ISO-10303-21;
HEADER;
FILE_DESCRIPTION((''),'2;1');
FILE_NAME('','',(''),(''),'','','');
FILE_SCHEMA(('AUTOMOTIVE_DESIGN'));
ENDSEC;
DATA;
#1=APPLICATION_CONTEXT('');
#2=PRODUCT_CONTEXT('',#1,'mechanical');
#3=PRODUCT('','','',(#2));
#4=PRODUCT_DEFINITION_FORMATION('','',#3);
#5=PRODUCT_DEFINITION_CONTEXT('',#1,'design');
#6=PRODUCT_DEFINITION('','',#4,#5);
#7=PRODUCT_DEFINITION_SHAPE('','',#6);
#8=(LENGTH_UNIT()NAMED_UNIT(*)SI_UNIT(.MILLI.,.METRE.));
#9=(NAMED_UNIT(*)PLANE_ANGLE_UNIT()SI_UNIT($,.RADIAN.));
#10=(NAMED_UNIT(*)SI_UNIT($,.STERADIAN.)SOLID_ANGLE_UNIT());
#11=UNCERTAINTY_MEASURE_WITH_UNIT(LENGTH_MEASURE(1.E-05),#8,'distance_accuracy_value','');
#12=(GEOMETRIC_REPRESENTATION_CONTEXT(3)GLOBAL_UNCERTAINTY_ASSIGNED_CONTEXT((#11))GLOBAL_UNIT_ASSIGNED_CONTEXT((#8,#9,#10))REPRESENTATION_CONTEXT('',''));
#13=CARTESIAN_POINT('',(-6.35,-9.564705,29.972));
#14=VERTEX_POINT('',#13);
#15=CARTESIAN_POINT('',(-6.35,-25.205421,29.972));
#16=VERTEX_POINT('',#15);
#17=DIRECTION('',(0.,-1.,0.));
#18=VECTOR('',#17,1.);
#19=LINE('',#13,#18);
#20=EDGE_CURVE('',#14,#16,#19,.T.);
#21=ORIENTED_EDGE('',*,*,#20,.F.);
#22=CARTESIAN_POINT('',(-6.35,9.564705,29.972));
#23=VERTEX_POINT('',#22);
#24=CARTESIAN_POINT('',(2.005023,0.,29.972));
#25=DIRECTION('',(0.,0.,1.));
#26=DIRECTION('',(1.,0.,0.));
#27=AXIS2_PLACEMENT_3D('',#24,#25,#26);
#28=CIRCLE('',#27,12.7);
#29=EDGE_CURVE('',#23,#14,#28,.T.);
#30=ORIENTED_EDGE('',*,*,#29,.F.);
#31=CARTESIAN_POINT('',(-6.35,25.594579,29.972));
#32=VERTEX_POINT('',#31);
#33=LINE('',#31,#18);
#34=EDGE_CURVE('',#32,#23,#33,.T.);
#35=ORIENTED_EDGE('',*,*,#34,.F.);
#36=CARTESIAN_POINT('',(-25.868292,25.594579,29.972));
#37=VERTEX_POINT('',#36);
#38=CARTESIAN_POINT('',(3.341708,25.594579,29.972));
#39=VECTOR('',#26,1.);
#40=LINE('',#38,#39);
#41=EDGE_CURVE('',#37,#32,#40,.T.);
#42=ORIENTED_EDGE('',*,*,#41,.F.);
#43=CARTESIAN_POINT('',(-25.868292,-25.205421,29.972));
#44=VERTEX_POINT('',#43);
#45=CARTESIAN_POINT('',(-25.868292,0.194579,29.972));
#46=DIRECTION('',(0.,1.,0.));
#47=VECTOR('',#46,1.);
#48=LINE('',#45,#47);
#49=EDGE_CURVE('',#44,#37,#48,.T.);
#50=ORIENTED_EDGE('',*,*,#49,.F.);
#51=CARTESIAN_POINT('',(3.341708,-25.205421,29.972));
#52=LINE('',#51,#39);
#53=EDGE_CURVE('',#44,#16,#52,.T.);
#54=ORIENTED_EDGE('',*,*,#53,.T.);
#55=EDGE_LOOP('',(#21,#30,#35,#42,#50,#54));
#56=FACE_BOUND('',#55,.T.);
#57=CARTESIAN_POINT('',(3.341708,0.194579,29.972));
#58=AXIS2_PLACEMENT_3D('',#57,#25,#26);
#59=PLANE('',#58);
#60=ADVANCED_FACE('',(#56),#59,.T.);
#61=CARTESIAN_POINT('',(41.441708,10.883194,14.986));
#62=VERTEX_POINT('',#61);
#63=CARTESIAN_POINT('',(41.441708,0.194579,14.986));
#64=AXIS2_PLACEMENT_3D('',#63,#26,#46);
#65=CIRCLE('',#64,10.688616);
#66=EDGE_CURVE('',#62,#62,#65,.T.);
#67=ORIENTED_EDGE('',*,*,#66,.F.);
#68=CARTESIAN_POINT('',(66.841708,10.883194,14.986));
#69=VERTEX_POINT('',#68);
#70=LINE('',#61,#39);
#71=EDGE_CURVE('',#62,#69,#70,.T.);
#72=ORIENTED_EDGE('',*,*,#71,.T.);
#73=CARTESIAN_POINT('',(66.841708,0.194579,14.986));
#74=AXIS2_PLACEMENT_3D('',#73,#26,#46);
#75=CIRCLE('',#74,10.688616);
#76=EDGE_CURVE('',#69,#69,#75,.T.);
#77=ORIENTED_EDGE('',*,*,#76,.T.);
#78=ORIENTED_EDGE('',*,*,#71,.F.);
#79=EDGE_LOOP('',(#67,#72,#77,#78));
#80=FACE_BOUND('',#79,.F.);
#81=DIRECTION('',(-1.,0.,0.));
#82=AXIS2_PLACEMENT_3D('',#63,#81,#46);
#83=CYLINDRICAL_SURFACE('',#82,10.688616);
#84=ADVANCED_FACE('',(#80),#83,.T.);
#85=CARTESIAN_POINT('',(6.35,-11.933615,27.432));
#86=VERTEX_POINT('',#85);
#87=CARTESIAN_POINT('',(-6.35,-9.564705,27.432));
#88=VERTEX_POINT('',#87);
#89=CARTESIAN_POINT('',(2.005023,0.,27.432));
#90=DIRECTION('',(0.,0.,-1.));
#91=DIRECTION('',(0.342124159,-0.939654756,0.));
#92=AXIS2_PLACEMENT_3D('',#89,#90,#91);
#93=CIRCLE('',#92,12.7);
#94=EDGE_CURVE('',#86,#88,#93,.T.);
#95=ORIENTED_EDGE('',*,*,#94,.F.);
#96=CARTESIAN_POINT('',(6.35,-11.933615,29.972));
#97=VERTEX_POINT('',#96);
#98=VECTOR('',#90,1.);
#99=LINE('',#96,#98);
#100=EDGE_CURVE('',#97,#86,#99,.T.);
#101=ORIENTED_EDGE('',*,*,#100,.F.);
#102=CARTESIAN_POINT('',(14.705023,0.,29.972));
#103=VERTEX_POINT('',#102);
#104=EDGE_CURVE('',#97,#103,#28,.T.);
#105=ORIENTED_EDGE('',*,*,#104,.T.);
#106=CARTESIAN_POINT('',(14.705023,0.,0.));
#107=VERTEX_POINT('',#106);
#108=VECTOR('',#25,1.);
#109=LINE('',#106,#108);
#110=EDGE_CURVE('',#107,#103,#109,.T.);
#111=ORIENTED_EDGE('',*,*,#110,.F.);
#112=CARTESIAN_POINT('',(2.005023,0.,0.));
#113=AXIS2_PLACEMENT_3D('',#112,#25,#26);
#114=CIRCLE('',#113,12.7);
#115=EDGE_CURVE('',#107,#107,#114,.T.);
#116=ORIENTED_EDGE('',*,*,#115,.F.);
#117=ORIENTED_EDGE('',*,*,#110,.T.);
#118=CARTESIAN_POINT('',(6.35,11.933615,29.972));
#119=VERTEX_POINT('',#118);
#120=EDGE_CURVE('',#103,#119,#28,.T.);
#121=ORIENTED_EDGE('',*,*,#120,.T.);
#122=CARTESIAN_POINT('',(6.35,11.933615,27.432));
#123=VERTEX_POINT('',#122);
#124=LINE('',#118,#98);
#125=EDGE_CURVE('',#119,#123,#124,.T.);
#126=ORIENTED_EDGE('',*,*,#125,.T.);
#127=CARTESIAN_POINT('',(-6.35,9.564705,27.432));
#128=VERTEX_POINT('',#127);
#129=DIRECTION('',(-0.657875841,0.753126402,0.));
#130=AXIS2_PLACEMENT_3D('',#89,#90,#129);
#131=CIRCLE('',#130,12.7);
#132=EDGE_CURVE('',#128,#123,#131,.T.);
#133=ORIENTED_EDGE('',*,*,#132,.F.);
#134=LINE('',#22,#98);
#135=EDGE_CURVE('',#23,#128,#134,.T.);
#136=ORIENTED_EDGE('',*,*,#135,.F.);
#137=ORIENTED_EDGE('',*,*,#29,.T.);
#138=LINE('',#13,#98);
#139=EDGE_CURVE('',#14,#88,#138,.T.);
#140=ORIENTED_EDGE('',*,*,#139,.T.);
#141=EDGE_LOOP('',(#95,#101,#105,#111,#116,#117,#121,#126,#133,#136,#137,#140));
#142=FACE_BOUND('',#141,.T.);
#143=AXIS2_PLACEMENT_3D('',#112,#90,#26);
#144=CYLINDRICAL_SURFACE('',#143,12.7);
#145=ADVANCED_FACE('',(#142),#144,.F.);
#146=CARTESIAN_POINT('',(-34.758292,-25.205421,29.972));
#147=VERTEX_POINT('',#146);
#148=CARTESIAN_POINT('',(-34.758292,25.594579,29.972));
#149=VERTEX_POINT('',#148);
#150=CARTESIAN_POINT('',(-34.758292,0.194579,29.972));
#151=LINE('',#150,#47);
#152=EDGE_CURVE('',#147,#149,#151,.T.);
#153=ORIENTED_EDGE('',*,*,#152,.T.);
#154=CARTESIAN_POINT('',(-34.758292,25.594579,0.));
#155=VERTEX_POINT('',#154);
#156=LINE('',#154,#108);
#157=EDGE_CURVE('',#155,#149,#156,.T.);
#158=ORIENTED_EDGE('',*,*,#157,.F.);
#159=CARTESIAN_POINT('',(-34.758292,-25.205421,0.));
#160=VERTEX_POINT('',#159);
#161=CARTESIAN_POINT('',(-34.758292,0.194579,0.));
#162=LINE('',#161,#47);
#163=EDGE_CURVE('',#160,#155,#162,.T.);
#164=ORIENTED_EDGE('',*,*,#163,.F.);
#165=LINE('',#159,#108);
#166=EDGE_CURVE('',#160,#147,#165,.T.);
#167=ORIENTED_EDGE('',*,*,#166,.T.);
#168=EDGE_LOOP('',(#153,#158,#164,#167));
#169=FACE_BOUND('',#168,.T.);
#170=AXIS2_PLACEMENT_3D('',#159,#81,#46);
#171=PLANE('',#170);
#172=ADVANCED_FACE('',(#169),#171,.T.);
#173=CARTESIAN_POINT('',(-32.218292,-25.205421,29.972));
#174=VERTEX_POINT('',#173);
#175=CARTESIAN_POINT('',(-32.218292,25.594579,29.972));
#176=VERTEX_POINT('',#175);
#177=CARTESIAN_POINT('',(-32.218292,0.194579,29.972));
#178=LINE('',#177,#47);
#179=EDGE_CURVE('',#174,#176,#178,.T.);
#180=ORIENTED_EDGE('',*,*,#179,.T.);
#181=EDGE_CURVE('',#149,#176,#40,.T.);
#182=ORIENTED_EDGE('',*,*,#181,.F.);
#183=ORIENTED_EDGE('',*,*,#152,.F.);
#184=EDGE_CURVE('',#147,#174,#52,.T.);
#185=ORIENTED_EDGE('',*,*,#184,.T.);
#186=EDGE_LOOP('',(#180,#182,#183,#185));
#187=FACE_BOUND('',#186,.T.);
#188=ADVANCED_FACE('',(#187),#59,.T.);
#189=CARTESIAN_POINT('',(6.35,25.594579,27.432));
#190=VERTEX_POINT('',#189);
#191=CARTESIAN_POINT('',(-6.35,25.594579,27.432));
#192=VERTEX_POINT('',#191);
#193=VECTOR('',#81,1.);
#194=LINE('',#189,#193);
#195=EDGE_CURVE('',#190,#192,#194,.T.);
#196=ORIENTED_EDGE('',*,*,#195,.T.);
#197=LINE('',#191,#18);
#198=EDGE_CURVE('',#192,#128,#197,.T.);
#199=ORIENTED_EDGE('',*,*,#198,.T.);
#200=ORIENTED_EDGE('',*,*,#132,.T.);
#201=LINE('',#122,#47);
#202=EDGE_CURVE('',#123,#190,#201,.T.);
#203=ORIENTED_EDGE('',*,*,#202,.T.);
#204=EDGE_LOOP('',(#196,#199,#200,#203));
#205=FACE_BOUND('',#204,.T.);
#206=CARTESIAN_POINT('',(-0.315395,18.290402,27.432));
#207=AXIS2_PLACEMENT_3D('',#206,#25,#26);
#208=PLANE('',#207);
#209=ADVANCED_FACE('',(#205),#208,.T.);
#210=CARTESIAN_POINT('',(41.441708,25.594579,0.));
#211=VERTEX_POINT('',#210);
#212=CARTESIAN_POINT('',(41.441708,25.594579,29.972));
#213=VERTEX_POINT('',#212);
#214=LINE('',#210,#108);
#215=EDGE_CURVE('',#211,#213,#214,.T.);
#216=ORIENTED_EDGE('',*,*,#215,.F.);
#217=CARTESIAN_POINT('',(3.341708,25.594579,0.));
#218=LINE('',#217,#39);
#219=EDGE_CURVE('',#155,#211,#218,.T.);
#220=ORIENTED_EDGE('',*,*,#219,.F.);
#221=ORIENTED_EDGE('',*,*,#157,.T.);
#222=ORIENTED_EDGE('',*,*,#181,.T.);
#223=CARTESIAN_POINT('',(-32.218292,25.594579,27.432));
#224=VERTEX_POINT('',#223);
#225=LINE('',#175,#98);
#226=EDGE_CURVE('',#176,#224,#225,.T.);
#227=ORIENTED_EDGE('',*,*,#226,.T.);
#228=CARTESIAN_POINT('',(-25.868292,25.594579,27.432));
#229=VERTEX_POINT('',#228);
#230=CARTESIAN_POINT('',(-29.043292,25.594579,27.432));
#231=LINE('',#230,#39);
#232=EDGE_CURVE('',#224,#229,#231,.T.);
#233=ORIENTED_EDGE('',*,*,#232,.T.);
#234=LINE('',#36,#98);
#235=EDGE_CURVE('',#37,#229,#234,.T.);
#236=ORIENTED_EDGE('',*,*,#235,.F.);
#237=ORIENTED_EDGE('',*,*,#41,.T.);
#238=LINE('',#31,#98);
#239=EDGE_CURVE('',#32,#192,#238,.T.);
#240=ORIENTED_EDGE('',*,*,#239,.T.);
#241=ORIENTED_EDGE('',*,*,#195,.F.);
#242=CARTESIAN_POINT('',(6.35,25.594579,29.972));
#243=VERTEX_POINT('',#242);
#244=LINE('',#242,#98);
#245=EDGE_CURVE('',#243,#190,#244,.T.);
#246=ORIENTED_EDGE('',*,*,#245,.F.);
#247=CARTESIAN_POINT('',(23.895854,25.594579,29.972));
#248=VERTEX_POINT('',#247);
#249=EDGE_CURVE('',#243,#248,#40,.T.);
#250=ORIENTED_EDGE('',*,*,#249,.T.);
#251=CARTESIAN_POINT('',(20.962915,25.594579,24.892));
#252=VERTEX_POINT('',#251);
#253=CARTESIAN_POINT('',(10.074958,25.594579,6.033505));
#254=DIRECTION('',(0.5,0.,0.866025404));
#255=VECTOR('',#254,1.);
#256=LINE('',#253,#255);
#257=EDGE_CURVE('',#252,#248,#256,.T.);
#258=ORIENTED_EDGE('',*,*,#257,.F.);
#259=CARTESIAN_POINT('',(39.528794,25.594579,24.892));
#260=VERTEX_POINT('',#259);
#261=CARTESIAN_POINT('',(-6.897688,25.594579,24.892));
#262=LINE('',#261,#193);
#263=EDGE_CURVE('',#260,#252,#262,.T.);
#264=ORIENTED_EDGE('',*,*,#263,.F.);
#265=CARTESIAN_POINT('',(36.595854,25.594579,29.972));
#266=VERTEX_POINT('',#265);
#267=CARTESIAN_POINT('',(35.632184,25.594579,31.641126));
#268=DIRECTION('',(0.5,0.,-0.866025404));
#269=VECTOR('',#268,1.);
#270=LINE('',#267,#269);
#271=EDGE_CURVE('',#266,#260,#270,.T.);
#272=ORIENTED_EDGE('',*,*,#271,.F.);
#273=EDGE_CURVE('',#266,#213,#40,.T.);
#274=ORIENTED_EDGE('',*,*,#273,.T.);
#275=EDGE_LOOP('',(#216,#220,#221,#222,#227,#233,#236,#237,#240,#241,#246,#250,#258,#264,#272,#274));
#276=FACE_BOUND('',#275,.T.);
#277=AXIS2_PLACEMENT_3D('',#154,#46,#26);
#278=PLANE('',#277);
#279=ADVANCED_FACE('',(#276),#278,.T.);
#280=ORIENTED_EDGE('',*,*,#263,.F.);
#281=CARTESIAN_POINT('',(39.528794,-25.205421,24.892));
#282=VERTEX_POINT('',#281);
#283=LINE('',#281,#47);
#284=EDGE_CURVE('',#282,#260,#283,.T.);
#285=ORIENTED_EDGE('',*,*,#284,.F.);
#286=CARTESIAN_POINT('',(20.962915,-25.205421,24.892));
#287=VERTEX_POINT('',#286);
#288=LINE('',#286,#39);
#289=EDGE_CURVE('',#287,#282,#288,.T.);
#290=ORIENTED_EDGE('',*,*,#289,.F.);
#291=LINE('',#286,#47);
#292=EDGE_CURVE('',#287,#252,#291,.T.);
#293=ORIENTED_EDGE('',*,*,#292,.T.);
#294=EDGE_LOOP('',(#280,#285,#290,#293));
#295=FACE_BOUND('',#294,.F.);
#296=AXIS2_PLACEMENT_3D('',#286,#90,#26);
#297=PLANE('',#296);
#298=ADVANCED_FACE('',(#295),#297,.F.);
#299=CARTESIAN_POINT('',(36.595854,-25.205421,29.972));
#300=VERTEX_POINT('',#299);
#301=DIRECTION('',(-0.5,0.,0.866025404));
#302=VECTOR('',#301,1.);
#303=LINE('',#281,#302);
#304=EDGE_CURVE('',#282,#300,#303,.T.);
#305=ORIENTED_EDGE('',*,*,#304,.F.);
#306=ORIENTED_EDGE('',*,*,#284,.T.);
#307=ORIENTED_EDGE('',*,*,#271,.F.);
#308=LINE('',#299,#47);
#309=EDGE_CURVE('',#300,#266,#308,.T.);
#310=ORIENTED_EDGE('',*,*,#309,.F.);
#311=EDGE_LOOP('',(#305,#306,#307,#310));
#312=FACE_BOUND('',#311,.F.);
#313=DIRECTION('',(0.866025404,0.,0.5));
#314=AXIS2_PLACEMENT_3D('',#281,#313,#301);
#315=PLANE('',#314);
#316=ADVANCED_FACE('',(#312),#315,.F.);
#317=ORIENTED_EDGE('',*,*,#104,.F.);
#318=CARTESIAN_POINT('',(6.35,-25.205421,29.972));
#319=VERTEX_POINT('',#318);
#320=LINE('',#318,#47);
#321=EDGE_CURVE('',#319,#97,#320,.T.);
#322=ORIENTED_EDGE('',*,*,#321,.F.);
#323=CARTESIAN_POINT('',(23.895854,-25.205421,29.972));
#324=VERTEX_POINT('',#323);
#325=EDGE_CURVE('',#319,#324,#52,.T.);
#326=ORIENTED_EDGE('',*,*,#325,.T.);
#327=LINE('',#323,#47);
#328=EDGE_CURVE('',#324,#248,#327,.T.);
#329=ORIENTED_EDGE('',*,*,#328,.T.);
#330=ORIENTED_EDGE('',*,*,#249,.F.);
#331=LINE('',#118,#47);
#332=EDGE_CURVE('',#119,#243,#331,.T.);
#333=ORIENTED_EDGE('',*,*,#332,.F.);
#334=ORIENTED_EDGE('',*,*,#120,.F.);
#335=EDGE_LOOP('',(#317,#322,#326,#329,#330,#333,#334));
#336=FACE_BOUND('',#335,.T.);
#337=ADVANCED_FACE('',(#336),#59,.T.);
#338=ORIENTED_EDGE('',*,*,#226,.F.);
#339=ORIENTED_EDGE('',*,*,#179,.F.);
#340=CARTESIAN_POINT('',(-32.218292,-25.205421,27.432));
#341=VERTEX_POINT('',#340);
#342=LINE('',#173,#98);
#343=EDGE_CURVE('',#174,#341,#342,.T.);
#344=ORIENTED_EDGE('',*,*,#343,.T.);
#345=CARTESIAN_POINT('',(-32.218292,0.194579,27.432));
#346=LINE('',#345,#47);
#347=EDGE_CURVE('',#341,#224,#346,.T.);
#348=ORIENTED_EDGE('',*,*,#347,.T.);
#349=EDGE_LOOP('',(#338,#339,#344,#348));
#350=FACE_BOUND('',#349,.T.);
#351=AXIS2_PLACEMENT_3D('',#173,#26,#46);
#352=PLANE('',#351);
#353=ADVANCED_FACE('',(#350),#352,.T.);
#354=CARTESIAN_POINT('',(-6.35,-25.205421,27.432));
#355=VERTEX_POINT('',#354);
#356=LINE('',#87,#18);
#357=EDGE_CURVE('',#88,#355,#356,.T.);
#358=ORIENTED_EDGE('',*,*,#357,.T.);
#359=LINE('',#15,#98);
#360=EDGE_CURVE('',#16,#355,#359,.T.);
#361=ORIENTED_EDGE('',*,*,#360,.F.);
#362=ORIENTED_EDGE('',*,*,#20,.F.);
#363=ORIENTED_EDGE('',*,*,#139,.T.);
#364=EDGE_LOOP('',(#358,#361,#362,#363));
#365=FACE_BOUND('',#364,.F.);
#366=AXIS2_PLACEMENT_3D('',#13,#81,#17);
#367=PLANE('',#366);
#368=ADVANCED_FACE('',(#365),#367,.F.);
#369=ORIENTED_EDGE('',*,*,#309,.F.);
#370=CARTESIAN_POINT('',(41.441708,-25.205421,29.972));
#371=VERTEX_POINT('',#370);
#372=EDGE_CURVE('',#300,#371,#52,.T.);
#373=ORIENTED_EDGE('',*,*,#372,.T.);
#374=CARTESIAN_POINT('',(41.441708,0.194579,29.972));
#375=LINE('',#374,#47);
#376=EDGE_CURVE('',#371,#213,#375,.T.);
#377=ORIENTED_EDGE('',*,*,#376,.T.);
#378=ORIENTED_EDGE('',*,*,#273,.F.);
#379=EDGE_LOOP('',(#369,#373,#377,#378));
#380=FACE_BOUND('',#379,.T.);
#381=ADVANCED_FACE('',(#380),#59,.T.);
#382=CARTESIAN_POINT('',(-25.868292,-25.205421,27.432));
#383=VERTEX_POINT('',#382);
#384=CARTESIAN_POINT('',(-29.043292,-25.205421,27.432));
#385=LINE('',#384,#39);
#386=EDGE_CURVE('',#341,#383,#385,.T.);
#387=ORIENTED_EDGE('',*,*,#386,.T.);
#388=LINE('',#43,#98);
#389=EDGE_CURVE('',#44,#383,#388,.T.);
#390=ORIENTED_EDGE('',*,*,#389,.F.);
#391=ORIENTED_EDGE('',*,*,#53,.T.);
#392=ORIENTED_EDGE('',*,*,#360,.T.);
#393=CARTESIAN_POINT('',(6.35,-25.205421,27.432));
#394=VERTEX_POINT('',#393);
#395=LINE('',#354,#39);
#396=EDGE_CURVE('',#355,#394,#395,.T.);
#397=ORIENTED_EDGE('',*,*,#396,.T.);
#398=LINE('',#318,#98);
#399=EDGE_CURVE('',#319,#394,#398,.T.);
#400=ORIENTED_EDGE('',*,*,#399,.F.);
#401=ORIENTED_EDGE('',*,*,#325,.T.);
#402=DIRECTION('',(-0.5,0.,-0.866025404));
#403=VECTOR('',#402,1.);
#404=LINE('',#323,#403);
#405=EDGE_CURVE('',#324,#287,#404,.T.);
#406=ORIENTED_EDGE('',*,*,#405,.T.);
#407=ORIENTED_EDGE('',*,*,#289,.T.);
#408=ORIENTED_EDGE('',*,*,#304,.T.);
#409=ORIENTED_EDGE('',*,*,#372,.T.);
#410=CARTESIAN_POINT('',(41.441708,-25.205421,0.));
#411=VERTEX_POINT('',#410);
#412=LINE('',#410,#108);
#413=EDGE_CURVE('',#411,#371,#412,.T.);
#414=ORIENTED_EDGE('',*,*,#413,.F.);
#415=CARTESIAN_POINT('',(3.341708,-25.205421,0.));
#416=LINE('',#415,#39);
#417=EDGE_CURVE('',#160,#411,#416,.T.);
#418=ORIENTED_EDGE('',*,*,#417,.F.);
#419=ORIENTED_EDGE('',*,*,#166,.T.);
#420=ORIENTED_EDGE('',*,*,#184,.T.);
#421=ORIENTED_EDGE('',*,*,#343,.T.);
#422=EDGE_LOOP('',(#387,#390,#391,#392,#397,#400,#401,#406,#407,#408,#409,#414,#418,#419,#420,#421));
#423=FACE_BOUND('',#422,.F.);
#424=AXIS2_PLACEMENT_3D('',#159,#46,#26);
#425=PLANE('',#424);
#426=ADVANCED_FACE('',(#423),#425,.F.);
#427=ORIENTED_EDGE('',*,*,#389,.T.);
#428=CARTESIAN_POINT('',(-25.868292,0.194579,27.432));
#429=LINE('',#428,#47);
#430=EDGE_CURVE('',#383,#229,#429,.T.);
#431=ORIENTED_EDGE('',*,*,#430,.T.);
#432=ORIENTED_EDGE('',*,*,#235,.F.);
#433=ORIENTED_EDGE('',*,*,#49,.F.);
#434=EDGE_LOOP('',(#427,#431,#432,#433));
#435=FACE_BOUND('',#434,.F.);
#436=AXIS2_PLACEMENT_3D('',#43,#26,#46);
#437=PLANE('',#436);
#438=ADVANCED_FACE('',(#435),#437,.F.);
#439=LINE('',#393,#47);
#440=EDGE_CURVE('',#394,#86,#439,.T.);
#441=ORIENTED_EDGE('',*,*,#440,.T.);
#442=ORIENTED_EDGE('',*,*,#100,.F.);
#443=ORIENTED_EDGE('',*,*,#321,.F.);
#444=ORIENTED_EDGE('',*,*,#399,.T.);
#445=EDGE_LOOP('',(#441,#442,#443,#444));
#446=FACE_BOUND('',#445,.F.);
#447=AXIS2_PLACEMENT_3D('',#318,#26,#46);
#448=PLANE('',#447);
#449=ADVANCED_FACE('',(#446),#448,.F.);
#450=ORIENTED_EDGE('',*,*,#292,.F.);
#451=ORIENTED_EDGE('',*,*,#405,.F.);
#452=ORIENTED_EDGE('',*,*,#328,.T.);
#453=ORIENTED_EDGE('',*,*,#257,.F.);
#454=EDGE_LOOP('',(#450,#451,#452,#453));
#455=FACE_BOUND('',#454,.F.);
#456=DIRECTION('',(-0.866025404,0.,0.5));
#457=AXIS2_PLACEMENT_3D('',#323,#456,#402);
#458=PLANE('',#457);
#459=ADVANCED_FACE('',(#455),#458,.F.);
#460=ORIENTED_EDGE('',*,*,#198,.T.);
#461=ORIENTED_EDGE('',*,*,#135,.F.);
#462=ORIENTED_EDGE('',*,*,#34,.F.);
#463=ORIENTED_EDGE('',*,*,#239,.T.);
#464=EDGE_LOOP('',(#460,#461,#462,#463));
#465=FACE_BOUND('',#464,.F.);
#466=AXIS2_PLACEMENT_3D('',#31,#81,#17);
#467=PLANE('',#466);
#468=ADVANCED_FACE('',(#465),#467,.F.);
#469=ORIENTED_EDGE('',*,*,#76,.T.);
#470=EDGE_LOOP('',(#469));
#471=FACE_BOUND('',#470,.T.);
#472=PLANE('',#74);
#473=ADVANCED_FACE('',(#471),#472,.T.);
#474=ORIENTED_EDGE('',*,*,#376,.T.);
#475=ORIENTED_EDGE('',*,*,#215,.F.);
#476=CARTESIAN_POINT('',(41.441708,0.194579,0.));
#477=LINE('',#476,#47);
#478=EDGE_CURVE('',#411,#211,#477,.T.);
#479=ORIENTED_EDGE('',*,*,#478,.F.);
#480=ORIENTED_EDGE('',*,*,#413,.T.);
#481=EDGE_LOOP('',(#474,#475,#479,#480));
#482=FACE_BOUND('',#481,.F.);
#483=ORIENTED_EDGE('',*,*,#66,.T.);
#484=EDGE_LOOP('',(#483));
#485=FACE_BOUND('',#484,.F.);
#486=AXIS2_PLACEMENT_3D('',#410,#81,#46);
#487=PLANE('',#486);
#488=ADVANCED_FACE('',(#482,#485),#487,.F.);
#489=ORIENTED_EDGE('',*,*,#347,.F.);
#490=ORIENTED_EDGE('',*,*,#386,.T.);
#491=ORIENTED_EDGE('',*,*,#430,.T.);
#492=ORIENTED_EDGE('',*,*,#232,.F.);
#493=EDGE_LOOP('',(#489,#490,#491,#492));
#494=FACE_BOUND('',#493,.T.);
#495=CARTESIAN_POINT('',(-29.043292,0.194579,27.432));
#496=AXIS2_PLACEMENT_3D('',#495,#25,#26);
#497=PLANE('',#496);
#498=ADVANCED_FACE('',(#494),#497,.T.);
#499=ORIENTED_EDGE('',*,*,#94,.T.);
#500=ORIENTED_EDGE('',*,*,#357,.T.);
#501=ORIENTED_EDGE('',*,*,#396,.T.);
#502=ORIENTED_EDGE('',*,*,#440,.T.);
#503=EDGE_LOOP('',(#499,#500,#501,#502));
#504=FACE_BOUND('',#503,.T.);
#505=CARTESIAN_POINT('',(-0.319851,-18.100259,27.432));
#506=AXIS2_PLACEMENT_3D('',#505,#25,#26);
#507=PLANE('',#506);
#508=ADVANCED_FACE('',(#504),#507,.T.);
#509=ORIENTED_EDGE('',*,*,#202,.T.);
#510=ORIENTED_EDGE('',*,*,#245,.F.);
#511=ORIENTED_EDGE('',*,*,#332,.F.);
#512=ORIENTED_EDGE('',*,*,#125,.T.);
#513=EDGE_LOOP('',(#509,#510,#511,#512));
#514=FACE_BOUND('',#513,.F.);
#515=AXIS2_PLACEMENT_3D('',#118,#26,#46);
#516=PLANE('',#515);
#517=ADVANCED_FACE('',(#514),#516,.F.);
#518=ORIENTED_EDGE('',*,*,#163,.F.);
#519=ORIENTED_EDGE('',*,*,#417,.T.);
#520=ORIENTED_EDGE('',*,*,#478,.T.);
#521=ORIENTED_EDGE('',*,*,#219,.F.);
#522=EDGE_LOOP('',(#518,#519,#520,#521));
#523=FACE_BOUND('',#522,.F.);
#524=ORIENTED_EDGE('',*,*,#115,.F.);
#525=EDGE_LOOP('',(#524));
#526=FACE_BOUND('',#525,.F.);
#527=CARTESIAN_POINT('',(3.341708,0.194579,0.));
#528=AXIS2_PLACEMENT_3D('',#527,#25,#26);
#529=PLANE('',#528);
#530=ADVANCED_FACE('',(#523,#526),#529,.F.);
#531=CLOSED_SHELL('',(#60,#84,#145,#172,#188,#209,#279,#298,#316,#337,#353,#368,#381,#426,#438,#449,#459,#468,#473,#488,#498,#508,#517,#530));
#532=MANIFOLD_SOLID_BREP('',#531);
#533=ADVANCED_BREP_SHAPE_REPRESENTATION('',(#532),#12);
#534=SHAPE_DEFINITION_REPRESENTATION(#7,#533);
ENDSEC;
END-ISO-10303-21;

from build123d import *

# Parameters (mm, degrees)
F0_W     = 76.2
F0_H     = 50.8
F0_R     = 12.7
F1_DEPTH = 29.972
F2_W     = 6.35
F2_H     = 50.8
F3_DEPTH = 2.54
F5_R     = 10.6886157163
F6_DEPTH = 25.4
F7_DEPTH = 50.801


with BuildPart() as f1:
    # F0 (on Top) → F1 (new body)
    with BuildSketch(Plane.XY):
        with Locations((3.3417083323, 0.1945786622)):
            Rectangle(F0_W, F0_H)
        with Locations((2.0050231833, 0)):
            Circle(F0_R, mode=Mode.SUBTRACT)
    extrude(amount=F1_DEPTH)

    # F2 (on face) → F3 (cut)
    with BuildSketch(Plane.XY.offset(29.972)):
        with Locations((-29.0432916677, 0.1945786622)):
            Rectangle(F2_W, F2_H)
        with BuildLine():
            Line((6.35, 25.5945786622), (-6.35, 25.5945786622))
            Line((-6.35, 25.5945786622), (-6.35, 9.5647053068))
            ThreePointArc((-6.35, 9.5647053068), (-0.3237214829, 12.484668529), (6.35, 11.9336153978))
            Line((6.35, 11.9336153978), (6.35, 25.5945786622))
        make_face()
        with BuildLine():
            Line((-6.35, -9.5647053068), (-6.35, -25.2054213378))
            Line((-6.35, -25.2054213378), (6.35, -25.2054213378))
            Line((6.35, -25.2054213378), (6.35, -11.9336153978))
            ThreePointArc((6.35, -11.9336153978), (-0.3237214829, -12.484668529), (-6.35, -9.5647053068))
        make_face()
    extrude(amount=-F3_DEPTH, mode=Mode.SUBTRACT)

    # F5 (on face) → F6 (join)
    with BuildSketch(Plane.YZ.offset(41.4417083323)):
        with Locations((0.1945786622, 14.986)):
            Circle(F5_R)
    extrude(amount=F6_DEPTH)

    # F4 (on face) → F7 (cut, through all)
    with BuildSketch(Plane.XZ.offset(25.2054213378)):
        Polygon((36.5958541662, 29.972), (23.8958541662, 29.972), (20.9629147987, 24.892), (39.5287935336, 24.892), align=None)
    extrude(amount=-F7_DEPTH, mode=Mode.SUBTRACT)


solid = f1.part
